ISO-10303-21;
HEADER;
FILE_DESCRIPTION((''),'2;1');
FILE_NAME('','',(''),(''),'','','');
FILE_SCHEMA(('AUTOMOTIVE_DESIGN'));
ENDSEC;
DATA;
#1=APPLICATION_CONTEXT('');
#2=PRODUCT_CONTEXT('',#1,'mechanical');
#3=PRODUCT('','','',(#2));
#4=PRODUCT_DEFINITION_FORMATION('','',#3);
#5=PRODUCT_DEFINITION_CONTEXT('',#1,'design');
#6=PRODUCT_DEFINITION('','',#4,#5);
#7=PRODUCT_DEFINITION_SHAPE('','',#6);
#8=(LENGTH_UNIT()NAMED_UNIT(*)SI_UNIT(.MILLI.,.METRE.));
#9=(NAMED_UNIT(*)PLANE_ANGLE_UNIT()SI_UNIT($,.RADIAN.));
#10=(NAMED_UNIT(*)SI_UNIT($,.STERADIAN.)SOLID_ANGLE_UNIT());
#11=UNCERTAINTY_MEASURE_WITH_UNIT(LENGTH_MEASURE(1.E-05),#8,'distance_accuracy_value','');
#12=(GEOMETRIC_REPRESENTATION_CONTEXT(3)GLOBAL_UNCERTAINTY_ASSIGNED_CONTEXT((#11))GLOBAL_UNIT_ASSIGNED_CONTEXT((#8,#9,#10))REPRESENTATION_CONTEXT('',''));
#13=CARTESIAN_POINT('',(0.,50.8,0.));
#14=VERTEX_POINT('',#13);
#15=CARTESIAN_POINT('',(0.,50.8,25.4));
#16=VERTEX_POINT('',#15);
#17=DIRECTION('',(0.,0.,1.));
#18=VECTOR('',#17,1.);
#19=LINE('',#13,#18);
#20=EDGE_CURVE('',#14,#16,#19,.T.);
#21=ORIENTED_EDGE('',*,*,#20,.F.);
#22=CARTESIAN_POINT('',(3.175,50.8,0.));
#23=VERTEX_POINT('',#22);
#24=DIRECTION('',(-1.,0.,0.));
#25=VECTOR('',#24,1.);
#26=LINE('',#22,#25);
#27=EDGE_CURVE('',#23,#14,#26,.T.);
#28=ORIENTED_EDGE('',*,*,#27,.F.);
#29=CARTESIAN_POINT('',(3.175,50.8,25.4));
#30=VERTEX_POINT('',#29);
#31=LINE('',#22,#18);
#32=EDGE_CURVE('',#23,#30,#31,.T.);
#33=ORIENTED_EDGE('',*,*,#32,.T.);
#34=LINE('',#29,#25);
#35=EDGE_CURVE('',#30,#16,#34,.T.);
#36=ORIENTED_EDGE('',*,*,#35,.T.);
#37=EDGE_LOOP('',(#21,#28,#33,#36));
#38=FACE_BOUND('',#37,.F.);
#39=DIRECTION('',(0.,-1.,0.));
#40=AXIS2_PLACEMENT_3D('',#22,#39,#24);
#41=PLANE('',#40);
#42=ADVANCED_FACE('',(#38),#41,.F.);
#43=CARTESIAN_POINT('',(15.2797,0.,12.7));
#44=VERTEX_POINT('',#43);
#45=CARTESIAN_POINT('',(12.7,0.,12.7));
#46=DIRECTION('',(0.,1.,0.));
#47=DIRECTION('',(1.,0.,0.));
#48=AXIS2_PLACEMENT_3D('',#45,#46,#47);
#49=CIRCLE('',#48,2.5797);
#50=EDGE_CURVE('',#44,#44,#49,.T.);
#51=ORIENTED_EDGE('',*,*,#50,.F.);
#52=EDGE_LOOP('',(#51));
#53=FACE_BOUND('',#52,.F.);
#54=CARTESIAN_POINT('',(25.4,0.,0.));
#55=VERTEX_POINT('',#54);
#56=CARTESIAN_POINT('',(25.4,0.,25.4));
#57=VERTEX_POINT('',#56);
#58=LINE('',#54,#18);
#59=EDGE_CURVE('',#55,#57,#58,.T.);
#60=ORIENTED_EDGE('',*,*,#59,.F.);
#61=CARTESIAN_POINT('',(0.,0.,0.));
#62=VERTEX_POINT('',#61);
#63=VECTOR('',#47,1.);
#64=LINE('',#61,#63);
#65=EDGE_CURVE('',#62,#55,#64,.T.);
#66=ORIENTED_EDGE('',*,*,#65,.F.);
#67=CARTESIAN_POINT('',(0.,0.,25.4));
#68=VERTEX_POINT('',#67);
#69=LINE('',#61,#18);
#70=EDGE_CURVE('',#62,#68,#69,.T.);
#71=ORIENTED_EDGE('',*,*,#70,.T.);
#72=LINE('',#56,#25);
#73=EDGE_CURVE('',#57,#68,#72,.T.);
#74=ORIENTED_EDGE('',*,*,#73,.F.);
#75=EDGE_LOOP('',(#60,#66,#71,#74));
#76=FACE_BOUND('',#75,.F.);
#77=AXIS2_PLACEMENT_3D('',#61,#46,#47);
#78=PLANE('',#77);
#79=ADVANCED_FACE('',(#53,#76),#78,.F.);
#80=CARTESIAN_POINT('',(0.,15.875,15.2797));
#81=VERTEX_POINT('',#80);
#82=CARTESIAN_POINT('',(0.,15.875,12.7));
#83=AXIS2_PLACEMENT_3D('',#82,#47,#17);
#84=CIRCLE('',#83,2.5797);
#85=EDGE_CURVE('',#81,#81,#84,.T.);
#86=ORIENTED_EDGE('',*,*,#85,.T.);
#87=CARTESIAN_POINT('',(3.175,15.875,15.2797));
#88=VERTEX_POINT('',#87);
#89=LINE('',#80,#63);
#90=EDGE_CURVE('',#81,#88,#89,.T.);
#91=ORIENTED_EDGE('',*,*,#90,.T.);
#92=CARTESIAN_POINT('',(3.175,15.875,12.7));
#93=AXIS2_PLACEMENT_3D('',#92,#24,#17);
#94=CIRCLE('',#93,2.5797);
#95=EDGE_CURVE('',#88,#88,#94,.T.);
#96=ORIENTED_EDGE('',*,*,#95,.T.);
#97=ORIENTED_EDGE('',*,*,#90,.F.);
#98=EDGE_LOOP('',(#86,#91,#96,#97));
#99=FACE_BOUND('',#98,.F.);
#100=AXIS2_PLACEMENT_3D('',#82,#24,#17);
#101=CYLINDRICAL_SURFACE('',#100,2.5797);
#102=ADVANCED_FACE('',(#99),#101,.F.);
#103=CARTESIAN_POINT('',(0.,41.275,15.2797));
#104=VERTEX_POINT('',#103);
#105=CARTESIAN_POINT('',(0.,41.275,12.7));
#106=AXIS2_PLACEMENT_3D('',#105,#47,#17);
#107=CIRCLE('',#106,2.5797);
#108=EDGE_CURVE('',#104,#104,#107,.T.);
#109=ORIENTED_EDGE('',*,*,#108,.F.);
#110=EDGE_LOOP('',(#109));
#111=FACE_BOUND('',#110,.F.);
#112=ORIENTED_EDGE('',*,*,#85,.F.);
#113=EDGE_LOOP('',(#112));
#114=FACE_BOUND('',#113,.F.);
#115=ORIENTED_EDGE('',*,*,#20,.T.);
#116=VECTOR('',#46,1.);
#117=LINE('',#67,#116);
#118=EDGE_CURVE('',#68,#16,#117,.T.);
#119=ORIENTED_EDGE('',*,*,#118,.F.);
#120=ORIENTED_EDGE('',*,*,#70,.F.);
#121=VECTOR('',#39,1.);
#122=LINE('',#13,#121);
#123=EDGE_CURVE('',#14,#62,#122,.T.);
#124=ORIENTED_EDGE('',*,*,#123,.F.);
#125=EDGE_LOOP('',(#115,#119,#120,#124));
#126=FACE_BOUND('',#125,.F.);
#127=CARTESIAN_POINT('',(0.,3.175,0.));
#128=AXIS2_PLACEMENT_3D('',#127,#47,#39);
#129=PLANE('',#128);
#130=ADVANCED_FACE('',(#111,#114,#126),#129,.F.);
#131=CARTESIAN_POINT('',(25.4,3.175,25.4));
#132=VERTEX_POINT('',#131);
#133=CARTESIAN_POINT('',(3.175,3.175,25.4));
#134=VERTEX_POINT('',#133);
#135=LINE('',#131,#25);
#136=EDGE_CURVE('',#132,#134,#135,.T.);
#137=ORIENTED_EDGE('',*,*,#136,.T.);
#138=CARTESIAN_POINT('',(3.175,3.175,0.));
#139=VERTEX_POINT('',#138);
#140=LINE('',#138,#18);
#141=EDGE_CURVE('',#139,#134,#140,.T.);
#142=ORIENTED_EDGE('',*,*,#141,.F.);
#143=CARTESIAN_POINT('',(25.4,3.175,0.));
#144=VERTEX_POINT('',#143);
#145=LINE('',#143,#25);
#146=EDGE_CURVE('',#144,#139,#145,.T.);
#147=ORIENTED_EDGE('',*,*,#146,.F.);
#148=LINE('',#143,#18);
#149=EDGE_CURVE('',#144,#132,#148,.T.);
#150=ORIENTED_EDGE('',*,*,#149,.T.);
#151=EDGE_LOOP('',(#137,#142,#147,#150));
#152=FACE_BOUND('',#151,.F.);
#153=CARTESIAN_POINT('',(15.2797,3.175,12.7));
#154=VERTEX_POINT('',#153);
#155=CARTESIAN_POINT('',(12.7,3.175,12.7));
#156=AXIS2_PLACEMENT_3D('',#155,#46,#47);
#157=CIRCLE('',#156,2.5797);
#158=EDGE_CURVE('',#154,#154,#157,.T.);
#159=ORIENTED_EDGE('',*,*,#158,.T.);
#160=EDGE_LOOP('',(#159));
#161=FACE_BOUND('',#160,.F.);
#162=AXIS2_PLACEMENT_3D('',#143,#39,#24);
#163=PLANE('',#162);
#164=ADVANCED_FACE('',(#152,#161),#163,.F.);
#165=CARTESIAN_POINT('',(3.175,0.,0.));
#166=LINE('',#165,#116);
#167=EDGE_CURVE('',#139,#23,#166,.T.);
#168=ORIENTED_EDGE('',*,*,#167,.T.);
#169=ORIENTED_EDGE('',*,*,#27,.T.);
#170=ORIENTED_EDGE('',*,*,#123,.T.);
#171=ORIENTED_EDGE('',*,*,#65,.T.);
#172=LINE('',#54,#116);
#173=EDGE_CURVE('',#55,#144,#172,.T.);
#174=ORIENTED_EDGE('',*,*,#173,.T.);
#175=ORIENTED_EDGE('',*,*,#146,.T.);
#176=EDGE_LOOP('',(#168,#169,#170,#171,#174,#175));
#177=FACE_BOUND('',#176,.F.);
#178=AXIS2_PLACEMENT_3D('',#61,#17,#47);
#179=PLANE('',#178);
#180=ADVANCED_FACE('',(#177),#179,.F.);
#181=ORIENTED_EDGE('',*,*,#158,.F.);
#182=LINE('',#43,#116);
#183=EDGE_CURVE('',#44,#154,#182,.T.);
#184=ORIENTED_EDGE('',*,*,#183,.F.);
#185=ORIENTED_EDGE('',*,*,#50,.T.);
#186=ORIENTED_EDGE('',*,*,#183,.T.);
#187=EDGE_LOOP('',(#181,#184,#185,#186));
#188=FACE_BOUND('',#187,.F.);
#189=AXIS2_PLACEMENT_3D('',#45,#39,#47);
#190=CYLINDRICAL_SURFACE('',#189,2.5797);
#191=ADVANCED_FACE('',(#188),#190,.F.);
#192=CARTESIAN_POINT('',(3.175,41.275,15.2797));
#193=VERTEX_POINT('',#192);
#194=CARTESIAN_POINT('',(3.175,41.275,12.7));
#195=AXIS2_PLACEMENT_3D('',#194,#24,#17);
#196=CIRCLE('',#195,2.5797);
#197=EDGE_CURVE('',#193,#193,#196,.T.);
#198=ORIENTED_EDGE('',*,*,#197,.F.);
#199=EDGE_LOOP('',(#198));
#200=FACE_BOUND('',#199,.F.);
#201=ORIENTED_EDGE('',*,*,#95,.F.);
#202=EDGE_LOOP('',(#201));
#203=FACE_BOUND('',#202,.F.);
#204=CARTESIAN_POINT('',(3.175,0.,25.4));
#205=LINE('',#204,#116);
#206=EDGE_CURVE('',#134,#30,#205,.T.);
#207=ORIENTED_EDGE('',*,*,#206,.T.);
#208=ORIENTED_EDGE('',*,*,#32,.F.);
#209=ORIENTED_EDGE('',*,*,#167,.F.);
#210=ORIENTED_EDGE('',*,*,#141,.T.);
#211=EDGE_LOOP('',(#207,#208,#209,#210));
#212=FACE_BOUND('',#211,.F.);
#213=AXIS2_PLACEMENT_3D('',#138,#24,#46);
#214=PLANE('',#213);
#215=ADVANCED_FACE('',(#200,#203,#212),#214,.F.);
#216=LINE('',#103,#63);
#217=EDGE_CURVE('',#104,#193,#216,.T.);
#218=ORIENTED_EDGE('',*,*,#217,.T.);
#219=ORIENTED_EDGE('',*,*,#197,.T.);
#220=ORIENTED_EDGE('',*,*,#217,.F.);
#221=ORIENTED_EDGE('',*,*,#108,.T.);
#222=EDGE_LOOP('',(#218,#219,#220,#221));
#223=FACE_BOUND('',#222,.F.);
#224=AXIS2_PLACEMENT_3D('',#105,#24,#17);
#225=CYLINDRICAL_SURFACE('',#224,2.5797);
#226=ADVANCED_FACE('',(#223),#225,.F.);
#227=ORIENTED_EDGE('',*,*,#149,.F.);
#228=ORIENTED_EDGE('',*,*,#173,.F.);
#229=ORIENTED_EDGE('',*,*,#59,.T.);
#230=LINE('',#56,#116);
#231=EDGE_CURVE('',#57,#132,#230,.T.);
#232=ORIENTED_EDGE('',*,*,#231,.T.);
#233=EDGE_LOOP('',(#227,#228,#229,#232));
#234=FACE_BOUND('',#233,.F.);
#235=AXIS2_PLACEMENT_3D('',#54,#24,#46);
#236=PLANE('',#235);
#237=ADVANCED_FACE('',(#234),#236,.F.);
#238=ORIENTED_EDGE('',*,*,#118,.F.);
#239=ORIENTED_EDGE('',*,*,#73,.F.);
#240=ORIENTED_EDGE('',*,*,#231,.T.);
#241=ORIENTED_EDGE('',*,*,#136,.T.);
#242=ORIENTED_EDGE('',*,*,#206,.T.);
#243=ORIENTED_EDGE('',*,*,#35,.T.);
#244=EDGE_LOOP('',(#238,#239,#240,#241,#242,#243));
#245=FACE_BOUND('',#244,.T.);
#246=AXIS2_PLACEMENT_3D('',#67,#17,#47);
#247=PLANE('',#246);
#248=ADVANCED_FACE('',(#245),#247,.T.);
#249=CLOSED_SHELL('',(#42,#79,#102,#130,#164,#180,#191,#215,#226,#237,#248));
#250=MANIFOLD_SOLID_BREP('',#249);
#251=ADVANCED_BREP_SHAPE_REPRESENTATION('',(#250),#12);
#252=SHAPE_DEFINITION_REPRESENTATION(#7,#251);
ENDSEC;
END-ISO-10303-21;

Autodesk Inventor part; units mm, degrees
ref_plane "YZ Plane" through (0, 0, 0) normal (1, 0, 0) x (0, 1, 0)
ref_plane "XZ Plane" through (0, 0, 0) normal (0, 1, 0) x (-1, 0, 0)
ref_plane "XY Plane" through (0, 0, 0) normal (0, 0, 1) x (1, 0, 0)
sketch "Sketch1" plane through (0, 0, 0) normal (0, 0, 1) x (1, 0, 0)
  line L0 (0, 0) -> (3.175, 0)
  line L1 (3.175, 0) -> (3.175, 50.8)
  line L2 (3.175, 50.8) -> (0, 50.8)
  line L3 (0, 50.8) -> (0, 0)
  line L4 (0, 0) -> (25.4, 0)
  line L5 (25.4, 0) -> (25.4, 3.175)
  line L6 (25.4, 3.175) -> (0, 3.175)
  line L7 (0, 3.175) -> (0, 0)
  dimension "d0" = 3.175
  dimension "d1" = 50.8
  dimension "d2" = 25.4
  dimension "d3" = 3.175
extrude "Extrusion1" add sketch "Sketch1" along normal blind 25.4
sketch "Sketch2" plane through (0, 0, 0) normal (-1, 0, 0) x (0, 0, 1)
  line L0 (0, 0) -> (25.4, 0) projected
  line L1 (12.7, 0) -> (12.7, 15.875)
  line L2 (12.7, 15.875) -> (12.7, 41.275)
  circle A0 centre (12.7, 41.275) radius 2.5797
  circle A1 centre (12.7, 15.875) radius 2.5797
  dimension "d6" = 15.875
  dimension "d7" = 25.4
  dimension "d8" = 5.1594
  dimension "d9" = 5.1594
extrude "Extrusion2" cut sketch "Sketch2" against normal blind 25.4
sketch "Sketch3" plane through (0, 0, 0) normal (0, -1, 0) x (1, 0, 0)
  line L0 (0, 0) -> (0, 25.4) projected
  line L1 (0, 12.7) -> (12.7, 12.7)
  circle A0 centre (12.7, 12.7) radius 2.5797
  dimension "d12" = 12.7
  dimension "d13" = 5.1594
extrude "Extrusion3" cut sketch "Sketch3" against normal blind 25.4
properties part number "1x2 L Bracket"
